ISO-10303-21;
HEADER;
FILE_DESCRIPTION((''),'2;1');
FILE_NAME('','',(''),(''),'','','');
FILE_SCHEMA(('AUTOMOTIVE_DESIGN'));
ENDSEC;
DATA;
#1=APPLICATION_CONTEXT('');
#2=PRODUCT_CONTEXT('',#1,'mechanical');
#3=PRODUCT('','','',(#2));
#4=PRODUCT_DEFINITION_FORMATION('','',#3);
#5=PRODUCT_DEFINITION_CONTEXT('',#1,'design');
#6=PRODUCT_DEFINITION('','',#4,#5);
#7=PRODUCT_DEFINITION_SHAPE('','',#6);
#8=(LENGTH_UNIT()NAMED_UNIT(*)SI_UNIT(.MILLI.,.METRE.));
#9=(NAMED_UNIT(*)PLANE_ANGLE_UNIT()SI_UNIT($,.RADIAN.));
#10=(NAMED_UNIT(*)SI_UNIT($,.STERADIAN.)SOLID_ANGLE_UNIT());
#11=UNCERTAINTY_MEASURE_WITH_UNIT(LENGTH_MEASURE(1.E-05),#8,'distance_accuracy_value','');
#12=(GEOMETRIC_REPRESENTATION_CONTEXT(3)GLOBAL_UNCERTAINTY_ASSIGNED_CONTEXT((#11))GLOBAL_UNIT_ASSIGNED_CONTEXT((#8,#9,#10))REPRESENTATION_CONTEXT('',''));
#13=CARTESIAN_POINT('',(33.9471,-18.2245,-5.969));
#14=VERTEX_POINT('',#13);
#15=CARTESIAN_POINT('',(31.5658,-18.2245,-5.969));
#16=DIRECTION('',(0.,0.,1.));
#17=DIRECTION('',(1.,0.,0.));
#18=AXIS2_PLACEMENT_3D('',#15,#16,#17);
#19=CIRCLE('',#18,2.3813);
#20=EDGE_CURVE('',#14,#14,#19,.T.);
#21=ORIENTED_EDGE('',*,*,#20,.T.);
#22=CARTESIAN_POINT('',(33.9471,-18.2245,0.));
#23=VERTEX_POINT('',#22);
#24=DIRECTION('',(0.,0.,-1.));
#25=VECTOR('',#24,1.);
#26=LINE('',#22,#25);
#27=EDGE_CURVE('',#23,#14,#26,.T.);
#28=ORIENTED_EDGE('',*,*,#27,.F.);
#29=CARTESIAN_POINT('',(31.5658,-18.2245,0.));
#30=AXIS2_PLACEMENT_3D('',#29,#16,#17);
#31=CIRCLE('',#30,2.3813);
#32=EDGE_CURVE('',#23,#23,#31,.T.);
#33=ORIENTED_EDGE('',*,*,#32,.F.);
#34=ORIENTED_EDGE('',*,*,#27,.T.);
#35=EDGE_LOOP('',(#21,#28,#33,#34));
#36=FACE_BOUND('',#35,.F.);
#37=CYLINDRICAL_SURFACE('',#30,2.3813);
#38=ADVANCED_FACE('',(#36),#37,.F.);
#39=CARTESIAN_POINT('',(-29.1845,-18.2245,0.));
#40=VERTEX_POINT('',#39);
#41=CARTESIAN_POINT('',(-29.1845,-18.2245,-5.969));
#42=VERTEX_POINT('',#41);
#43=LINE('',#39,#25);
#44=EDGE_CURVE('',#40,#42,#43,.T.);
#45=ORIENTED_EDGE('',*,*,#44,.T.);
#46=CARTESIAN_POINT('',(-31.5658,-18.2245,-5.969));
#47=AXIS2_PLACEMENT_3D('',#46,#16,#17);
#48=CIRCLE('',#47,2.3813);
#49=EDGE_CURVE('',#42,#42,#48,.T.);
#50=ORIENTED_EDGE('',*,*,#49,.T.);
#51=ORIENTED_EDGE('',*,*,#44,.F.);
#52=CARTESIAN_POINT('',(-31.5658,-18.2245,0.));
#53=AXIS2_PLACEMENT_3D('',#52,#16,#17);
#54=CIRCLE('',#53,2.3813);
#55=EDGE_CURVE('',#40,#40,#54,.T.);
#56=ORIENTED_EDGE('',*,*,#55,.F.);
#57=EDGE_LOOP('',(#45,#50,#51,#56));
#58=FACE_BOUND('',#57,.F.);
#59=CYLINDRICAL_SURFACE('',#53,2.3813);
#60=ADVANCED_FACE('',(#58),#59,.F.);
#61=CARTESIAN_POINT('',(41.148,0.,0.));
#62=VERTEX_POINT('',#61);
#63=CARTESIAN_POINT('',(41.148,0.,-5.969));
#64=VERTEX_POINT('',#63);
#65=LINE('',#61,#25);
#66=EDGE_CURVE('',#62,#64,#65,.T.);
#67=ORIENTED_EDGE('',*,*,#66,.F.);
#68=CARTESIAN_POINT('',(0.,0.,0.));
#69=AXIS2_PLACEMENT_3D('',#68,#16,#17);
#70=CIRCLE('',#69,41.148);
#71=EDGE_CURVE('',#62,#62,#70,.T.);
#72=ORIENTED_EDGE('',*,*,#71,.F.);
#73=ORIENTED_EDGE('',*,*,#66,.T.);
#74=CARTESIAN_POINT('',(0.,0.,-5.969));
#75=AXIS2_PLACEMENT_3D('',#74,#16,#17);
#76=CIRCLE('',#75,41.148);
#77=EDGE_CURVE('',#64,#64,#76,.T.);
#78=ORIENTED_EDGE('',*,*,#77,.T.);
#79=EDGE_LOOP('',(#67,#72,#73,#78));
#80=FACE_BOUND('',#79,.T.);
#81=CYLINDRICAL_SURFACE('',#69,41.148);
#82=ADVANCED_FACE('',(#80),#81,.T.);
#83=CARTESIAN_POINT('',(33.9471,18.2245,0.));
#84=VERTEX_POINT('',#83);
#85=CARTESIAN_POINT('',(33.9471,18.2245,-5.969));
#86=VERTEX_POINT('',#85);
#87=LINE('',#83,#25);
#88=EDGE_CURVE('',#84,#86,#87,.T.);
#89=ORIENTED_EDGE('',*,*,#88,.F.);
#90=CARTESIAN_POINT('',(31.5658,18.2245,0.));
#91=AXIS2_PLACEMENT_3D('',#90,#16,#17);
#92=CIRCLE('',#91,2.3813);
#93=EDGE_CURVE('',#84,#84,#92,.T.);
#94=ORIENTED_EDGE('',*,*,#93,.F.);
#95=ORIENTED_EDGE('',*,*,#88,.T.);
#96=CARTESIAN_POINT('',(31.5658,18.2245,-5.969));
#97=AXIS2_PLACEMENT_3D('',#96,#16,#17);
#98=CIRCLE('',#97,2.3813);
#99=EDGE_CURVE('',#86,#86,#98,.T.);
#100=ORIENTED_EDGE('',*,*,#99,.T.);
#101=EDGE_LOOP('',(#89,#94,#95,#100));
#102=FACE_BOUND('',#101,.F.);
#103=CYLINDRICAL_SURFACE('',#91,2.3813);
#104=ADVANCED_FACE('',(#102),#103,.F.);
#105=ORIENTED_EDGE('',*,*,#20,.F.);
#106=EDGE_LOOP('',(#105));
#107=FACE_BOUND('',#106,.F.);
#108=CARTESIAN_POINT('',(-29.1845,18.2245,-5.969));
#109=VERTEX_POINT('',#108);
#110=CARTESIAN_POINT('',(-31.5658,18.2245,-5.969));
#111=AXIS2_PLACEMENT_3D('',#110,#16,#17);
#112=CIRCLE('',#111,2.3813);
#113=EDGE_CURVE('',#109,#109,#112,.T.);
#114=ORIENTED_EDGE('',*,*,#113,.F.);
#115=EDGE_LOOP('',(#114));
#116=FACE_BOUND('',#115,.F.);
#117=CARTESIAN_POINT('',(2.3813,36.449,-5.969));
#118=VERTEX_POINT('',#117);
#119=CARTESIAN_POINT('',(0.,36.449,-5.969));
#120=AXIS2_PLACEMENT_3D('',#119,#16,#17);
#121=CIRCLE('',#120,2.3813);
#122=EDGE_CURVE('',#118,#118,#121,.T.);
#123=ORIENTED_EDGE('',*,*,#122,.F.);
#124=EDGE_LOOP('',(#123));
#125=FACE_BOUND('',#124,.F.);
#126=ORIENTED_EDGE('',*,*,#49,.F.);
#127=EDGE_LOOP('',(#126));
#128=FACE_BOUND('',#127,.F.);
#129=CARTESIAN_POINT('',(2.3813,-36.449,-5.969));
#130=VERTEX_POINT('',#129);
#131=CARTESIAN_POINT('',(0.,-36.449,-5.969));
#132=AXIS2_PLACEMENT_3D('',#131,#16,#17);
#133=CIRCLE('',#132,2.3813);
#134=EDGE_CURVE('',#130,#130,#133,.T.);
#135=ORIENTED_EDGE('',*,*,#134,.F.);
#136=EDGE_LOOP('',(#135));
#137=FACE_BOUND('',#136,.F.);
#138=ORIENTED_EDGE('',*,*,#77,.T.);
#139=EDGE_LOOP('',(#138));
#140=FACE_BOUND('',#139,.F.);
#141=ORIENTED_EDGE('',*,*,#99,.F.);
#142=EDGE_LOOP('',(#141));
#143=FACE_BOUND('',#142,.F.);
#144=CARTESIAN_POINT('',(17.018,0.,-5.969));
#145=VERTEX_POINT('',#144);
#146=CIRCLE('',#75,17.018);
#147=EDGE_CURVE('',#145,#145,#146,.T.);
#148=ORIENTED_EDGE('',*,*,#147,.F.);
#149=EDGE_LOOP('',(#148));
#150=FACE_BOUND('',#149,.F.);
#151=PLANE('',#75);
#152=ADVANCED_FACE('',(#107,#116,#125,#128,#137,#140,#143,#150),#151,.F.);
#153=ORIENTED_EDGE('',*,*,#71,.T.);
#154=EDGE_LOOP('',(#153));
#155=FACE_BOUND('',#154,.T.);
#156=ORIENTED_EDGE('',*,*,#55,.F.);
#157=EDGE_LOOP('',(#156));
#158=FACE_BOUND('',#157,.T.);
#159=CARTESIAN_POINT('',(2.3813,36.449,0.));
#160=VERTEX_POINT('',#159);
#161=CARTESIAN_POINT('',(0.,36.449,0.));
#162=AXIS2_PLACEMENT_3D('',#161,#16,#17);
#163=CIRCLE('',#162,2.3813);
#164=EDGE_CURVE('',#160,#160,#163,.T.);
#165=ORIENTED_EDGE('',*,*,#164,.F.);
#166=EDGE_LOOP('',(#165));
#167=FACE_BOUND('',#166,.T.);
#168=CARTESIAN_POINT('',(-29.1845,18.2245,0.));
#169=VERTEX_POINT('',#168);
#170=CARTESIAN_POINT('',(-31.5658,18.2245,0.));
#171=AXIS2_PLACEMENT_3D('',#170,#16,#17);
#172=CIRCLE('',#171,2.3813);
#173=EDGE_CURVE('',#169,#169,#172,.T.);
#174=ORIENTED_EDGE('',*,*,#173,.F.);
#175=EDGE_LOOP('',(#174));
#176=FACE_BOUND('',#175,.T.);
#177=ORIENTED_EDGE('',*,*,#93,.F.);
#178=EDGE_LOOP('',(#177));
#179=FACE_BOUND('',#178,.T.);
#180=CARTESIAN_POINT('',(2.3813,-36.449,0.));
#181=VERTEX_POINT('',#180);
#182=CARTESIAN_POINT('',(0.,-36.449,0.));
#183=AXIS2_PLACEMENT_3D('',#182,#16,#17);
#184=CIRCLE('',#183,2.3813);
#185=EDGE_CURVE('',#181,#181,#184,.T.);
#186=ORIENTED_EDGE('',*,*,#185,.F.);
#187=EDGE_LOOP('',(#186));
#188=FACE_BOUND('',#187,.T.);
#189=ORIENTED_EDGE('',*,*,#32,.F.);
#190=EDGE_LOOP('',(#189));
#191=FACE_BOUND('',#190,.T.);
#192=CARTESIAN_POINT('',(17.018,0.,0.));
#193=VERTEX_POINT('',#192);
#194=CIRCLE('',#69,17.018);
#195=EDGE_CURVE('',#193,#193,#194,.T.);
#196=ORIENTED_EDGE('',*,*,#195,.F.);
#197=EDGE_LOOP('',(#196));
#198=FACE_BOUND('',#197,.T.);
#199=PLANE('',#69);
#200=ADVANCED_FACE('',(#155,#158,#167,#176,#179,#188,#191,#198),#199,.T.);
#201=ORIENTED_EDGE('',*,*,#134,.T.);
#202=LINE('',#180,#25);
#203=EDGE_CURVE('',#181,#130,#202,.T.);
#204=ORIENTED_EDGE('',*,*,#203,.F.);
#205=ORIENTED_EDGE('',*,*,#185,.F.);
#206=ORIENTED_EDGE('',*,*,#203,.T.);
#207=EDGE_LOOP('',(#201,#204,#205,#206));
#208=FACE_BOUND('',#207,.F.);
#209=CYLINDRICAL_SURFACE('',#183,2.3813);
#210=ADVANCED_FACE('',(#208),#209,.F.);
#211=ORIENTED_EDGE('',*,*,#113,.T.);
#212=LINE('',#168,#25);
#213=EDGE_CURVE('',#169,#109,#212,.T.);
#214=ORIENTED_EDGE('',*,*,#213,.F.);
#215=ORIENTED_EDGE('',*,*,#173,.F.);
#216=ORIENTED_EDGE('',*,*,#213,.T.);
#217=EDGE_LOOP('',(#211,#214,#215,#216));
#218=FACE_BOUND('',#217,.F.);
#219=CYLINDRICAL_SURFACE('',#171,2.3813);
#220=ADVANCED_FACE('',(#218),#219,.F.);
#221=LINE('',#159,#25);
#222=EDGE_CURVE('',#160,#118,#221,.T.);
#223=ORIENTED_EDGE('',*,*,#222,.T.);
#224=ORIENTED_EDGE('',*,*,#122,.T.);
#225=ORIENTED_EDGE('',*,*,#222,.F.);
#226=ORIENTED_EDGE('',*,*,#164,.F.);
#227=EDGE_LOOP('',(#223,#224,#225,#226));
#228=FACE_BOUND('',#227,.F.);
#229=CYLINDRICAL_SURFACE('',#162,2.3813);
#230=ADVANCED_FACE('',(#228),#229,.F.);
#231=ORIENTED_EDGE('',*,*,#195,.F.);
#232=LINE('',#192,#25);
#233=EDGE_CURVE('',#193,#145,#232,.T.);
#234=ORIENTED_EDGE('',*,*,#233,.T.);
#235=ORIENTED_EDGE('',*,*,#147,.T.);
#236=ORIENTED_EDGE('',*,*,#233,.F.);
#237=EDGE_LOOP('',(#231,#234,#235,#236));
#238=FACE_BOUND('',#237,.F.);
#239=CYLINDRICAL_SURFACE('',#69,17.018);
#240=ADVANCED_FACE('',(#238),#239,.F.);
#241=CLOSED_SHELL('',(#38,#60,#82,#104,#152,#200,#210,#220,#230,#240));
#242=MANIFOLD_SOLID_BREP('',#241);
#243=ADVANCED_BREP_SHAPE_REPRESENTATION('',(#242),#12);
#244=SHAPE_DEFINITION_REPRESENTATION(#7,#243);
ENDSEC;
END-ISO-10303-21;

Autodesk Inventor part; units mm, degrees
ref_plane "YZ Plane" through (0, 0, 0) normal (1, 0, 0) x (0, 1, 0)
ref_plane "XZ Plane" through (0, 0, 0) normal (0, 1, 0) x (-1, 0, 0)
ref_plane "XY Plane" through (0, 0, 0) normal (0, 0, 1) x (1, 0, 0)
sketch "Sketch1" plane through (0, 0, 0) normal (0, 0, 1) x (1, 0, 0)
  circle A0 centre (0, 0) radius 41.148
  dimension "d0" = 82.296
extrude "Extrusion1" add sketch "Sketch1" against normal blind 5.969
sketch "Sketch2" plane through (0, 0, 0) normal (0, 0, 1) x (1, 0, 0)
  circle A0 centre (0, 0) radius 17.018
  dimension "d3" = 34.036
extrude "Extrusion2" cut sketch "Sketch2" against normal blind 5.969
sketch "Sketch3" plane through (0, 0, 0) normal (0, 0, 1) x (1, 0, 0)
  circle A0 centre (0, 36.449) radius 2.3813
  circle A1 centre (-31.5658, 18.2245) radius 2.3813
  circle A2 centre (-31.5658, -18.2245) radius 2.3813
  circle A3 centre (0, -36.449) radius 2.3813
  circle A4 centre (31.5658, -18.2245) radius 2.3813
  circle A5 centre (31.5658, 18.2245) radius 2.3813
  point P0 (0, 0)
  dimension "d6" = 4.7625
  dimension "d9" = 360
extrude "Extrusion3" cut sketch "Sketch3" against normal blind 5.969
properties part number "retainRing4_4"
